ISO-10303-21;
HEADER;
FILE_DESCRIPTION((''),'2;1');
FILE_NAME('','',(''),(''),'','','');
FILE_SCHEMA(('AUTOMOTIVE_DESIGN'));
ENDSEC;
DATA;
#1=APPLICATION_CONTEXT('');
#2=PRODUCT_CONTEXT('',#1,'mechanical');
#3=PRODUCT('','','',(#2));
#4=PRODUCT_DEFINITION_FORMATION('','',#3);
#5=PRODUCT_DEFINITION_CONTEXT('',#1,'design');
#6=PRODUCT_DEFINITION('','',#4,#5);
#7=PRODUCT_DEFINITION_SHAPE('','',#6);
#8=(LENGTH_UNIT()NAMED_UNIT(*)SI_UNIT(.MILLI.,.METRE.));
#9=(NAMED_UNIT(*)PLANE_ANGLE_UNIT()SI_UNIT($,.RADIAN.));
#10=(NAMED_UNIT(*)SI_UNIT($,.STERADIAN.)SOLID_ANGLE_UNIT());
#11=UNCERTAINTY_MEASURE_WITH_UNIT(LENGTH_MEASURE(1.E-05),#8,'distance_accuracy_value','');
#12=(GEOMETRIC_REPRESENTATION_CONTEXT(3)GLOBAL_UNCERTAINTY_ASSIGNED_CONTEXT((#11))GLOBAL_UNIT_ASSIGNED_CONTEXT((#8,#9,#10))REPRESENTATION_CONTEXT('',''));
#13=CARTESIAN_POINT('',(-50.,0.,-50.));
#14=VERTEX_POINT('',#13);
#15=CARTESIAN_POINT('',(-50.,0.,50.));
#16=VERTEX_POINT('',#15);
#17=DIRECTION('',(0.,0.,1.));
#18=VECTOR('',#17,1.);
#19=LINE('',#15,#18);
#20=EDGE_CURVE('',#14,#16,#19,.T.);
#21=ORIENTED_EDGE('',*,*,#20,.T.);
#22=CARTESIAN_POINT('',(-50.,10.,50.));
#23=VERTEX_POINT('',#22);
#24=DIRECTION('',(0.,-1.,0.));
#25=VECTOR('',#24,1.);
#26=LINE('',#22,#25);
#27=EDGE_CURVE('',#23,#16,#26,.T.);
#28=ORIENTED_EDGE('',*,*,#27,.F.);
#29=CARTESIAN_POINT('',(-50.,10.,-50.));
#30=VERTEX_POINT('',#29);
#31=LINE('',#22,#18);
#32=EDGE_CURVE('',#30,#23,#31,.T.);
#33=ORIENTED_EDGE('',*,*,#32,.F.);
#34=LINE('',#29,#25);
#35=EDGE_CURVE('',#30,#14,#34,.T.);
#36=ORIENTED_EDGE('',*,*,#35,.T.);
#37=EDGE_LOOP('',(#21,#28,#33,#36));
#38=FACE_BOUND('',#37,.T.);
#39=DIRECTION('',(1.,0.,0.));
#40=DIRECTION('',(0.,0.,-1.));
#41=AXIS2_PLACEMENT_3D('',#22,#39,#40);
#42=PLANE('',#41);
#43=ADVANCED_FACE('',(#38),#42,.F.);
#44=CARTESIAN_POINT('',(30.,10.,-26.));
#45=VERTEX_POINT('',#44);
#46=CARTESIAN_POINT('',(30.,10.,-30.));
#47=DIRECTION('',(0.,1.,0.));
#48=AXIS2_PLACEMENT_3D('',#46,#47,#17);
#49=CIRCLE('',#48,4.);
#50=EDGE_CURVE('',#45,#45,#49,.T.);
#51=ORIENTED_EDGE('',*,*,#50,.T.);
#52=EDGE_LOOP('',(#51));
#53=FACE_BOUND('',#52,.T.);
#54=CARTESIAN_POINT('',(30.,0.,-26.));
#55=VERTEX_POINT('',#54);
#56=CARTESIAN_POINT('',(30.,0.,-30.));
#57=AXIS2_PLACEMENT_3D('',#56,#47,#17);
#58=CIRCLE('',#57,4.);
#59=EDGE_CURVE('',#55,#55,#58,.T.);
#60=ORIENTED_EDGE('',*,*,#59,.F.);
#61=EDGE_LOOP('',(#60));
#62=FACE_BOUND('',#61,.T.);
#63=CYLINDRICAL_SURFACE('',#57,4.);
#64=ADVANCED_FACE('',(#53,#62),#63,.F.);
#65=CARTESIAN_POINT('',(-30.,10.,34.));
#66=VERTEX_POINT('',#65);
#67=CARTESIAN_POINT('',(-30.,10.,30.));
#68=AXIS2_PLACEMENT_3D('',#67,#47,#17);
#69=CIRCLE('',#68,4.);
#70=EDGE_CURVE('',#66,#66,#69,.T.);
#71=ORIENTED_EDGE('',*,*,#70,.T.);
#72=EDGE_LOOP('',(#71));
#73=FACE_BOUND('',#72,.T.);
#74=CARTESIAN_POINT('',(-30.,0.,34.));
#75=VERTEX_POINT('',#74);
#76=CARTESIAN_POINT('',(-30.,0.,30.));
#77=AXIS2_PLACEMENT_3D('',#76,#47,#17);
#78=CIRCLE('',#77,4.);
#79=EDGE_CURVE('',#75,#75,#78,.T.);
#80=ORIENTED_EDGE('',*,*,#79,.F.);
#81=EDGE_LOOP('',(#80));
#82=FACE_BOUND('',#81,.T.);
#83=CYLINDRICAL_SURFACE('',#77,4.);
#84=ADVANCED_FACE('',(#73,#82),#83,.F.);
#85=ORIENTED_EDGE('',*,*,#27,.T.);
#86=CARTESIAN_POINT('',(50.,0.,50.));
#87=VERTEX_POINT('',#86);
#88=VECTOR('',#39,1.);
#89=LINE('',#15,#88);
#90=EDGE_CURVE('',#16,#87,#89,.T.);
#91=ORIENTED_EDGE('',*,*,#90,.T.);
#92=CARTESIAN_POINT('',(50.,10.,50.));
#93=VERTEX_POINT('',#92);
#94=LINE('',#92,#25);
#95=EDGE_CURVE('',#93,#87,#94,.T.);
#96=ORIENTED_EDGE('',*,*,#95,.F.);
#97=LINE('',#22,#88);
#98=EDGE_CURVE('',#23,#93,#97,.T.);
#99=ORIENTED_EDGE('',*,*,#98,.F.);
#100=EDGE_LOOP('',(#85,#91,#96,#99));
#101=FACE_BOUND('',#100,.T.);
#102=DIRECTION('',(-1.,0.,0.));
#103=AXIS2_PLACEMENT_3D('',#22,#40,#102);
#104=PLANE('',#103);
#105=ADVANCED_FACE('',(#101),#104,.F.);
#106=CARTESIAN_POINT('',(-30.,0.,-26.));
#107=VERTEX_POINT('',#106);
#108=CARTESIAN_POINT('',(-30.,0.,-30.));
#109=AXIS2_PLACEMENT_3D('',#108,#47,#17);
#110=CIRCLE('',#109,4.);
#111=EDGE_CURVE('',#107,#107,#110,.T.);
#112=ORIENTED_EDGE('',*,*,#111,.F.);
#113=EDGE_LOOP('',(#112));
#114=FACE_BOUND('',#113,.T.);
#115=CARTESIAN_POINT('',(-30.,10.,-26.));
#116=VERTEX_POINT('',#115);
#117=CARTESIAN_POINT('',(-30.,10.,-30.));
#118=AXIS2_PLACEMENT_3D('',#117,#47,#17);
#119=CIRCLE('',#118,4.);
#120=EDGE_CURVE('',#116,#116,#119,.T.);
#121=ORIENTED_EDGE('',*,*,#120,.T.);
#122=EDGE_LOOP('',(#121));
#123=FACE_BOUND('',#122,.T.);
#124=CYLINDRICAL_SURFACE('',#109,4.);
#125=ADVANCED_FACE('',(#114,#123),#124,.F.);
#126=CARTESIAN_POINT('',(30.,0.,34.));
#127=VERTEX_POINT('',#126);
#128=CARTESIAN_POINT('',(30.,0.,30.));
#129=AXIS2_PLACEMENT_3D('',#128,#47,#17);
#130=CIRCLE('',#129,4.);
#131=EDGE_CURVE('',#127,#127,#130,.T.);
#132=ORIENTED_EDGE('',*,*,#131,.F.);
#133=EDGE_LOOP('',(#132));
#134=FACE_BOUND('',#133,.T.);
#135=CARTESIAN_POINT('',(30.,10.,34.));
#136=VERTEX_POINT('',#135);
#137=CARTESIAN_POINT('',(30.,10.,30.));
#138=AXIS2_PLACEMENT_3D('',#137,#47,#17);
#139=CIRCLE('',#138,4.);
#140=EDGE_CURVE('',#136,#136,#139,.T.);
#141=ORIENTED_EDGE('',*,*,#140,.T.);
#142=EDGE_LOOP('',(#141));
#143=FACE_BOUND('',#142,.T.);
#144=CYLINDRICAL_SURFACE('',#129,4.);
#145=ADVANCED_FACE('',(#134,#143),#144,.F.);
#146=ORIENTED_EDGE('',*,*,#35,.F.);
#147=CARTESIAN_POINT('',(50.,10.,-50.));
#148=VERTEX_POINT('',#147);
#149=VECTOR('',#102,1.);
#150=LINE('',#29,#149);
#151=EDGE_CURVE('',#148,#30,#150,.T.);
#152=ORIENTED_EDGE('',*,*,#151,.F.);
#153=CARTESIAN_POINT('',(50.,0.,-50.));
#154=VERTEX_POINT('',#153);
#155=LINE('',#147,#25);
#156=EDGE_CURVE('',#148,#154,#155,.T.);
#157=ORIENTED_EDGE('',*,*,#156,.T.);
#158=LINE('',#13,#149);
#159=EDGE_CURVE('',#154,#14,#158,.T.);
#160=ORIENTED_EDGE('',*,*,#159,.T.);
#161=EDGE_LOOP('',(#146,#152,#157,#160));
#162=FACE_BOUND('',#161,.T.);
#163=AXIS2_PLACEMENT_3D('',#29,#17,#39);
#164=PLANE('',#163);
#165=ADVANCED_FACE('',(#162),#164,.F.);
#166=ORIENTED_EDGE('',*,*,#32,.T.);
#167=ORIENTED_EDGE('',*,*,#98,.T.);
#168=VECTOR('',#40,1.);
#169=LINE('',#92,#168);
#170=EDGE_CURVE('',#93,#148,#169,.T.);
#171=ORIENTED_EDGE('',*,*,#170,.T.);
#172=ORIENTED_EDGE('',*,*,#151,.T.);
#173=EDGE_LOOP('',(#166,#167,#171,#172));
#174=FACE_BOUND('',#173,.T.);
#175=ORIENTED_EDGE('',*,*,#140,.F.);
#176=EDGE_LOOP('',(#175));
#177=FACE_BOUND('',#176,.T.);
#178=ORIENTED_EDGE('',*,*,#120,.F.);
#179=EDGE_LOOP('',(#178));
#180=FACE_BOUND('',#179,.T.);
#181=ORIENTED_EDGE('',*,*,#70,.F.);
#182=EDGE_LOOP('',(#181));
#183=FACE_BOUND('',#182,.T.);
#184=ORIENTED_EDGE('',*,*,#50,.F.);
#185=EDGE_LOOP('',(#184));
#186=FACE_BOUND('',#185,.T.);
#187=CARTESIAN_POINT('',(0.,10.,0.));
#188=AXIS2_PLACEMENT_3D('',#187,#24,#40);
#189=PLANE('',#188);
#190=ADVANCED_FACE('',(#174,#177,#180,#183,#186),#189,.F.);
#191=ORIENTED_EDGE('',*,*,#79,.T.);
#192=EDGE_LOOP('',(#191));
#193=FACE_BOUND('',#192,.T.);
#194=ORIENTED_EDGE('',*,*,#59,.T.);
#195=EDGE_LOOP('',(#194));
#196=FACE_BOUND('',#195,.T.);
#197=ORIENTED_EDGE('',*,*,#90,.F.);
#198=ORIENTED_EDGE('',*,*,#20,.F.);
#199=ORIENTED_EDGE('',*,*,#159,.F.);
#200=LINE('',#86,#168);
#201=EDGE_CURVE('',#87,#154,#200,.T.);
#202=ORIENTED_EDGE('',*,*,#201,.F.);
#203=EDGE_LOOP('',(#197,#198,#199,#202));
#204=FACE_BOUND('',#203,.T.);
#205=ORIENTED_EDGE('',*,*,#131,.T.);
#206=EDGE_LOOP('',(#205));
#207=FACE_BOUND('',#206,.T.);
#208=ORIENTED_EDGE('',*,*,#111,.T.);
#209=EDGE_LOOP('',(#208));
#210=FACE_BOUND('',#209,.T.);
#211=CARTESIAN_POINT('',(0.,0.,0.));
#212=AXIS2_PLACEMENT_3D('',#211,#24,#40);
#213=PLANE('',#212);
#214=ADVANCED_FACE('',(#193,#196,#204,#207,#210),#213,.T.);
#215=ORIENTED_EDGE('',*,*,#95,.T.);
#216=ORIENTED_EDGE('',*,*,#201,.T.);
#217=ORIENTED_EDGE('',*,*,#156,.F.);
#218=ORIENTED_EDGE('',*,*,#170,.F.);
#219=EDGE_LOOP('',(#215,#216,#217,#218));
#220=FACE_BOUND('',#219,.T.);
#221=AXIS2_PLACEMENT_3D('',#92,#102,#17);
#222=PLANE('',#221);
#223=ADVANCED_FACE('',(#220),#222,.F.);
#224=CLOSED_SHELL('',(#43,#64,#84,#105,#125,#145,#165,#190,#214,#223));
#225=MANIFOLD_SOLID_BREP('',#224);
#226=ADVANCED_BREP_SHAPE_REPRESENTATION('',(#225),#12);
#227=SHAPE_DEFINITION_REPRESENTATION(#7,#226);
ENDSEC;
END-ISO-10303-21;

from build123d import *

# Parameters (mm, degrees)
SKETCH_1_W          = 100
SKETCH_1_H          = 100
EXTRUDE_1_DEPTH     = 10
SKETCH_2_R          = 4
CUT_EXTRUDE_1_DEPTH = 11


with BuildPart() as part:
    # Эскиз1 → Бобышка-Вытянуть1 (new body)
    with BuildSketch(Plane(origin=(0, 0, 0), x_dir=(1, 0, 0), z_dir=(0, 1, 0))):
        Rectangle(SKETCH_1_W, SKETCH_1_H)
    extrude(amount=EXTRUDE_1_DEPTH)

    # Эскиз2 → Вырез-Вытянуть1 (cut, through all)
    with BuildSketch(Plane(origin=(0, 10, 0), x_dir=(1, 0, 0), z_dir=(0, 1, 0))):
        with Locations((-30, 30)):
            Circle(SKETCH_2_R)
        with Locations((30, 30)):
            Circle(SKETCH_2_R)
        with Locations((-30, -30)):
            Circle(SKETCH_2_R)
        with Locations((30, -30)):
            Circle(SKETCH_2_R)
    extrude(amount=-CUT_EXTRUDE_1_DEPTH, mode=Mode.SUBTRACT)


solid = part.part
